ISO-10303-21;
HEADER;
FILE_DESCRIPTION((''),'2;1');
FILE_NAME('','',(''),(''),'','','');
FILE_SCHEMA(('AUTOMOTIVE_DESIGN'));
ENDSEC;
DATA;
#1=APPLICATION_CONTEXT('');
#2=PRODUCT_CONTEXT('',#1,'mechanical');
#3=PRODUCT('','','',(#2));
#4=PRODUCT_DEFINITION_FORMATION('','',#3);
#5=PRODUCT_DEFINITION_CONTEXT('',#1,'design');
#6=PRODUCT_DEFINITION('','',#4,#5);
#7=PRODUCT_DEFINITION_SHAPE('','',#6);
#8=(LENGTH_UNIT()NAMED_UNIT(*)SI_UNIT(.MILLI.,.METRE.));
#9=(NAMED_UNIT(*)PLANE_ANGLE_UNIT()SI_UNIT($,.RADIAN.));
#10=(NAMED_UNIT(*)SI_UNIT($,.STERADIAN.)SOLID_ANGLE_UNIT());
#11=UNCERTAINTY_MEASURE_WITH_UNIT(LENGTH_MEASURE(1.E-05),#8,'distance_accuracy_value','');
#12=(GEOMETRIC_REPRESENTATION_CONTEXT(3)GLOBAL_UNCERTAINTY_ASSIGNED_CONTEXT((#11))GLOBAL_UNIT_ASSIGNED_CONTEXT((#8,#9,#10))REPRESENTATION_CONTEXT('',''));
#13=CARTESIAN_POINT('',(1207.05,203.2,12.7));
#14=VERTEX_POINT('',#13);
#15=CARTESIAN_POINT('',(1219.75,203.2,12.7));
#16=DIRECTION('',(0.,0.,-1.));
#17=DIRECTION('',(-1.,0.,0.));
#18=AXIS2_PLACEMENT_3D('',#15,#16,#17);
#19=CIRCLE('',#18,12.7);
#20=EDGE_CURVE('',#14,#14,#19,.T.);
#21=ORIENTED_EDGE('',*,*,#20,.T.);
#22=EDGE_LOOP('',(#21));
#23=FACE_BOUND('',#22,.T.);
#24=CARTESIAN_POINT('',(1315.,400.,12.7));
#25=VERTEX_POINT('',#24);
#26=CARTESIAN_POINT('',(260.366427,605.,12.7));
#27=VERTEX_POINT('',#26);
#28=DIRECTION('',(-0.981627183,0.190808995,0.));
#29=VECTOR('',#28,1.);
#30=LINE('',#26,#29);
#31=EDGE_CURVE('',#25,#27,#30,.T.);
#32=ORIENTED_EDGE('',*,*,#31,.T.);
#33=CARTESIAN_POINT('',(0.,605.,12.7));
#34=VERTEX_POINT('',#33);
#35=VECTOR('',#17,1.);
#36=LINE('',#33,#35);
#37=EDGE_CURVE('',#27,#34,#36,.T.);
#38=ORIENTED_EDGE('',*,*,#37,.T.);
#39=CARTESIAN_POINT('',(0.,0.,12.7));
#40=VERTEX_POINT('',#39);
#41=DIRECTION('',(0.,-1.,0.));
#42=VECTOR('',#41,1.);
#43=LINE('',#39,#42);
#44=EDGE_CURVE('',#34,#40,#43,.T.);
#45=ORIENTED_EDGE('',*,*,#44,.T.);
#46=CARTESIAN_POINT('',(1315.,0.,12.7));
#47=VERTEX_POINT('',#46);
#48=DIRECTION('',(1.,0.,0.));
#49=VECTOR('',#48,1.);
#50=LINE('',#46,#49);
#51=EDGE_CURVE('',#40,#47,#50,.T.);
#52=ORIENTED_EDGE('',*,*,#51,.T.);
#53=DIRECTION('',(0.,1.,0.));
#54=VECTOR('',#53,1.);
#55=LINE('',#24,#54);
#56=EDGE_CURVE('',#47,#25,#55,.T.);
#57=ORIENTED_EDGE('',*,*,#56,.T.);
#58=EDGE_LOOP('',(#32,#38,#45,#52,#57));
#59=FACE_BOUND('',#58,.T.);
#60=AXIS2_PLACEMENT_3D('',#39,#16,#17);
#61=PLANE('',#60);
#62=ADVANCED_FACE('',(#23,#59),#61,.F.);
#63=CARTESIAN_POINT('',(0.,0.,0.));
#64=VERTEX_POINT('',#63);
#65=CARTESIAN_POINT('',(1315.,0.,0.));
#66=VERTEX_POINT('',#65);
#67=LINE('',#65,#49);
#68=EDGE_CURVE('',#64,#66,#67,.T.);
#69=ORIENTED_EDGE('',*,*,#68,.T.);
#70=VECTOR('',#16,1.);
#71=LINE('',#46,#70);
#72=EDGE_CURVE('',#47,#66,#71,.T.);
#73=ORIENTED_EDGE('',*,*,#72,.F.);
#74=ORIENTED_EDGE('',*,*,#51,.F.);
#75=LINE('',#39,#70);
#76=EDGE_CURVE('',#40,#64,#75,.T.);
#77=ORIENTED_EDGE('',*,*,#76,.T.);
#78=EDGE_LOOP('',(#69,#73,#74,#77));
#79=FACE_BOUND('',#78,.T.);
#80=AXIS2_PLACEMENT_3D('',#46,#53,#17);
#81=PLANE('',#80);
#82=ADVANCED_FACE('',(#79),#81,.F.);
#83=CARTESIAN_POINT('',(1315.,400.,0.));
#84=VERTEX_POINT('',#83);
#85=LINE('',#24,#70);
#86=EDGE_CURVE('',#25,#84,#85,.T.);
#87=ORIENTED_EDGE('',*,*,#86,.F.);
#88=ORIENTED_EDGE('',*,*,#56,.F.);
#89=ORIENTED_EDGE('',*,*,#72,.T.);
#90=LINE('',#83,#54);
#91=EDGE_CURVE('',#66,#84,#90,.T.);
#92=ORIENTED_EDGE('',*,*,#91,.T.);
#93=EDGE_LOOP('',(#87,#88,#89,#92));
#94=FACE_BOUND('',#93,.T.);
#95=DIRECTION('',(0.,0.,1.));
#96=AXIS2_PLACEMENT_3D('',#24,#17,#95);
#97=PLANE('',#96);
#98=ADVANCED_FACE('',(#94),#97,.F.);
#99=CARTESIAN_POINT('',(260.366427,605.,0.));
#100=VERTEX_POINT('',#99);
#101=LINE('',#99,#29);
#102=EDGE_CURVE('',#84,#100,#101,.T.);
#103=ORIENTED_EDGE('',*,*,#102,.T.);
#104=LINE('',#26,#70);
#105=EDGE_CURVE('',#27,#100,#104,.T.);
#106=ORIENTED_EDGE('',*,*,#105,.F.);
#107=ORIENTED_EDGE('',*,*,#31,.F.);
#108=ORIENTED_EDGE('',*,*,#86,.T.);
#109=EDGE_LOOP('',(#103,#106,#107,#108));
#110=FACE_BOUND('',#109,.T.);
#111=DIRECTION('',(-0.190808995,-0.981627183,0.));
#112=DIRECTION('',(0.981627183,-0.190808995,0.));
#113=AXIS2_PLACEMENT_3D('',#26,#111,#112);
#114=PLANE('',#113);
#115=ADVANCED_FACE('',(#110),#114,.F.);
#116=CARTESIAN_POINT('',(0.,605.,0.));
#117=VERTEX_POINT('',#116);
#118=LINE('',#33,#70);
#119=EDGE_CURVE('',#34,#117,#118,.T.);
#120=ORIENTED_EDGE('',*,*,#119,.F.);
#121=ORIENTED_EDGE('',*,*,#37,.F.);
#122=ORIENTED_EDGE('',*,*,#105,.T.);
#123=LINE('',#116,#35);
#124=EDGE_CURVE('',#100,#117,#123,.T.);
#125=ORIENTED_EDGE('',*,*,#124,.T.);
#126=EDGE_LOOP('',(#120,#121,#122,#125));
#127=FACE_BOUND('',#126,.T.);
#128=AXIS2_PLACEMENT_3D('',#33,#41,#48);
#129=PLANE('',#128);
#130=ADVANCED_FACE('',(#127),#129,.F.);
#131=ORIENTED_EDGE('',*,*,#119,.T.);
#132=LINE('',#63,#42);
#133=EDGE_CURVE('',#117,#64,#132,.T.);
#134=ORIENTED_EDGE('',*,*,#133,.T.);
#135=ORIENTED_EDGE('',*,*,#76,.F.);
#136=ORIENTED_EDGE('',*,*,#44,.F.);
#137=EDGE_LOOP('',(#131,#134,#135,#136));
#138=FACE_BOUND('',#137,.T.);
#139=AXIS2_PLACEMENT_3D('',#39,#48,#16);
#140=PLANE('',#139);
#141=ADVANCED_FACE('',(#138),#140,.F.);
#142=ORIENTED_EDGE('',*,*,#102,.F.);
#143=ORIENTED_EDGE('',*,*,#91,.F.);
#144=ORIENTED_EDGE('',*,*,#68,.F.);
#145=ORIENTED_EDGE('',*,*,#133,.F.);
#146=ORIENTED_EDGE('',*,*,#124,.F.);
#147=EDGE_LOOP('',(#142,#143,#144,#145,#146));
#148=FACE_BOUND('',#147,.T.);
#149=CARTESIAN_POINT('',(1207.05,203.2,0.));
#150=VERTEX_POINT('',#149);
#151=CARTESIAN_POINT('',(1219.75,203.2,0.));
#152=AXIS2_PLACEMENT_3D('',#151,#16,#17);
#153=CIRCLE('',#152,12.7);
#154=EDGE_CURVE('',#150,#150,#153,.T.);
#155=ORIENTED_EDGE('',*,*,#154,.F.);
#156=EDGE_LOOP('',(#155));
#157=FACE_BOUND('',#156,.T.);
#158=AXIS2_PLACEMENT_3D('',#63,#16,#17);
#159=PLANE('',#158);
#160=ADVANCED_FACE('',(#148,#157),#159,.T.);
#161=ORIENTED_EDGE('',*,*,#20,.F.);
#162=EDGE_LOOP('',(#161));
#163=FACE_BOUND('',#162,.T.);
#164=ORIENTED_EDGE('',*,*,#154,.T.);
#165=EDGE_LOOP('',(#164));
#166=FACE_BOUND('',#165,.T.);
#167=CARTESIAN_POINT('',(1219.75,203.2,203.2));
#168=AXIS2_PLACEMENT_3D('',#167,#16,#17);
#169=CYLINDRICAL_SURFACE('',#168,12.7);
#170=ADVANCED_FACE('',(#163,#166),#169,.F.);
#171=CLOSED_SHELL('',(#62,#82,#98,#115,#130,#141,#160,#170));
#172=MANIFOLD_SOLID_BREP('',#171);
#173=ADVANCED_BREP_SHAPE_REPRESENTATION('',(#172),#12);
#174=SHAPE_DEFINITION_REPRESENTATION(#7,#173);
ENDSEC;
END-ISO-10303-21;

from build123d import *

# Parameters (mm, degrees)
BOSS_EXTRUDE1_DEPTH = 12.7
SKETCH2_R           = 12.7
CUT_EXTRUDE1_DEPTH  = 203.2


with BuildPart() as part:
    # Sketch1 → Boss-Extrude1 (new body)
    with BuildSketch(Plane.XY):
        Polygon((0, 0), (0, 605), (260.366426726, 605), (1315, 400), (1315, 0), align=None)
    extrude(amount=BOSS_EXTRUDE1_DEPTH)

    # Sketch2 → Cut-Extrude1 (cut)
    with BuildSketch(Plane(origin=(0, 0, 0), x_dir=(-1, 0, 0), z_dir=(0, 0, -1))):
        with Locations((-1219.75, 203.2)):
            Circle(SKETCH2_R)
    extrude(amount=-CUT_EXTRUDE1_DEPTH, mode=Mode.SUBTRACT)


solid = part.part
